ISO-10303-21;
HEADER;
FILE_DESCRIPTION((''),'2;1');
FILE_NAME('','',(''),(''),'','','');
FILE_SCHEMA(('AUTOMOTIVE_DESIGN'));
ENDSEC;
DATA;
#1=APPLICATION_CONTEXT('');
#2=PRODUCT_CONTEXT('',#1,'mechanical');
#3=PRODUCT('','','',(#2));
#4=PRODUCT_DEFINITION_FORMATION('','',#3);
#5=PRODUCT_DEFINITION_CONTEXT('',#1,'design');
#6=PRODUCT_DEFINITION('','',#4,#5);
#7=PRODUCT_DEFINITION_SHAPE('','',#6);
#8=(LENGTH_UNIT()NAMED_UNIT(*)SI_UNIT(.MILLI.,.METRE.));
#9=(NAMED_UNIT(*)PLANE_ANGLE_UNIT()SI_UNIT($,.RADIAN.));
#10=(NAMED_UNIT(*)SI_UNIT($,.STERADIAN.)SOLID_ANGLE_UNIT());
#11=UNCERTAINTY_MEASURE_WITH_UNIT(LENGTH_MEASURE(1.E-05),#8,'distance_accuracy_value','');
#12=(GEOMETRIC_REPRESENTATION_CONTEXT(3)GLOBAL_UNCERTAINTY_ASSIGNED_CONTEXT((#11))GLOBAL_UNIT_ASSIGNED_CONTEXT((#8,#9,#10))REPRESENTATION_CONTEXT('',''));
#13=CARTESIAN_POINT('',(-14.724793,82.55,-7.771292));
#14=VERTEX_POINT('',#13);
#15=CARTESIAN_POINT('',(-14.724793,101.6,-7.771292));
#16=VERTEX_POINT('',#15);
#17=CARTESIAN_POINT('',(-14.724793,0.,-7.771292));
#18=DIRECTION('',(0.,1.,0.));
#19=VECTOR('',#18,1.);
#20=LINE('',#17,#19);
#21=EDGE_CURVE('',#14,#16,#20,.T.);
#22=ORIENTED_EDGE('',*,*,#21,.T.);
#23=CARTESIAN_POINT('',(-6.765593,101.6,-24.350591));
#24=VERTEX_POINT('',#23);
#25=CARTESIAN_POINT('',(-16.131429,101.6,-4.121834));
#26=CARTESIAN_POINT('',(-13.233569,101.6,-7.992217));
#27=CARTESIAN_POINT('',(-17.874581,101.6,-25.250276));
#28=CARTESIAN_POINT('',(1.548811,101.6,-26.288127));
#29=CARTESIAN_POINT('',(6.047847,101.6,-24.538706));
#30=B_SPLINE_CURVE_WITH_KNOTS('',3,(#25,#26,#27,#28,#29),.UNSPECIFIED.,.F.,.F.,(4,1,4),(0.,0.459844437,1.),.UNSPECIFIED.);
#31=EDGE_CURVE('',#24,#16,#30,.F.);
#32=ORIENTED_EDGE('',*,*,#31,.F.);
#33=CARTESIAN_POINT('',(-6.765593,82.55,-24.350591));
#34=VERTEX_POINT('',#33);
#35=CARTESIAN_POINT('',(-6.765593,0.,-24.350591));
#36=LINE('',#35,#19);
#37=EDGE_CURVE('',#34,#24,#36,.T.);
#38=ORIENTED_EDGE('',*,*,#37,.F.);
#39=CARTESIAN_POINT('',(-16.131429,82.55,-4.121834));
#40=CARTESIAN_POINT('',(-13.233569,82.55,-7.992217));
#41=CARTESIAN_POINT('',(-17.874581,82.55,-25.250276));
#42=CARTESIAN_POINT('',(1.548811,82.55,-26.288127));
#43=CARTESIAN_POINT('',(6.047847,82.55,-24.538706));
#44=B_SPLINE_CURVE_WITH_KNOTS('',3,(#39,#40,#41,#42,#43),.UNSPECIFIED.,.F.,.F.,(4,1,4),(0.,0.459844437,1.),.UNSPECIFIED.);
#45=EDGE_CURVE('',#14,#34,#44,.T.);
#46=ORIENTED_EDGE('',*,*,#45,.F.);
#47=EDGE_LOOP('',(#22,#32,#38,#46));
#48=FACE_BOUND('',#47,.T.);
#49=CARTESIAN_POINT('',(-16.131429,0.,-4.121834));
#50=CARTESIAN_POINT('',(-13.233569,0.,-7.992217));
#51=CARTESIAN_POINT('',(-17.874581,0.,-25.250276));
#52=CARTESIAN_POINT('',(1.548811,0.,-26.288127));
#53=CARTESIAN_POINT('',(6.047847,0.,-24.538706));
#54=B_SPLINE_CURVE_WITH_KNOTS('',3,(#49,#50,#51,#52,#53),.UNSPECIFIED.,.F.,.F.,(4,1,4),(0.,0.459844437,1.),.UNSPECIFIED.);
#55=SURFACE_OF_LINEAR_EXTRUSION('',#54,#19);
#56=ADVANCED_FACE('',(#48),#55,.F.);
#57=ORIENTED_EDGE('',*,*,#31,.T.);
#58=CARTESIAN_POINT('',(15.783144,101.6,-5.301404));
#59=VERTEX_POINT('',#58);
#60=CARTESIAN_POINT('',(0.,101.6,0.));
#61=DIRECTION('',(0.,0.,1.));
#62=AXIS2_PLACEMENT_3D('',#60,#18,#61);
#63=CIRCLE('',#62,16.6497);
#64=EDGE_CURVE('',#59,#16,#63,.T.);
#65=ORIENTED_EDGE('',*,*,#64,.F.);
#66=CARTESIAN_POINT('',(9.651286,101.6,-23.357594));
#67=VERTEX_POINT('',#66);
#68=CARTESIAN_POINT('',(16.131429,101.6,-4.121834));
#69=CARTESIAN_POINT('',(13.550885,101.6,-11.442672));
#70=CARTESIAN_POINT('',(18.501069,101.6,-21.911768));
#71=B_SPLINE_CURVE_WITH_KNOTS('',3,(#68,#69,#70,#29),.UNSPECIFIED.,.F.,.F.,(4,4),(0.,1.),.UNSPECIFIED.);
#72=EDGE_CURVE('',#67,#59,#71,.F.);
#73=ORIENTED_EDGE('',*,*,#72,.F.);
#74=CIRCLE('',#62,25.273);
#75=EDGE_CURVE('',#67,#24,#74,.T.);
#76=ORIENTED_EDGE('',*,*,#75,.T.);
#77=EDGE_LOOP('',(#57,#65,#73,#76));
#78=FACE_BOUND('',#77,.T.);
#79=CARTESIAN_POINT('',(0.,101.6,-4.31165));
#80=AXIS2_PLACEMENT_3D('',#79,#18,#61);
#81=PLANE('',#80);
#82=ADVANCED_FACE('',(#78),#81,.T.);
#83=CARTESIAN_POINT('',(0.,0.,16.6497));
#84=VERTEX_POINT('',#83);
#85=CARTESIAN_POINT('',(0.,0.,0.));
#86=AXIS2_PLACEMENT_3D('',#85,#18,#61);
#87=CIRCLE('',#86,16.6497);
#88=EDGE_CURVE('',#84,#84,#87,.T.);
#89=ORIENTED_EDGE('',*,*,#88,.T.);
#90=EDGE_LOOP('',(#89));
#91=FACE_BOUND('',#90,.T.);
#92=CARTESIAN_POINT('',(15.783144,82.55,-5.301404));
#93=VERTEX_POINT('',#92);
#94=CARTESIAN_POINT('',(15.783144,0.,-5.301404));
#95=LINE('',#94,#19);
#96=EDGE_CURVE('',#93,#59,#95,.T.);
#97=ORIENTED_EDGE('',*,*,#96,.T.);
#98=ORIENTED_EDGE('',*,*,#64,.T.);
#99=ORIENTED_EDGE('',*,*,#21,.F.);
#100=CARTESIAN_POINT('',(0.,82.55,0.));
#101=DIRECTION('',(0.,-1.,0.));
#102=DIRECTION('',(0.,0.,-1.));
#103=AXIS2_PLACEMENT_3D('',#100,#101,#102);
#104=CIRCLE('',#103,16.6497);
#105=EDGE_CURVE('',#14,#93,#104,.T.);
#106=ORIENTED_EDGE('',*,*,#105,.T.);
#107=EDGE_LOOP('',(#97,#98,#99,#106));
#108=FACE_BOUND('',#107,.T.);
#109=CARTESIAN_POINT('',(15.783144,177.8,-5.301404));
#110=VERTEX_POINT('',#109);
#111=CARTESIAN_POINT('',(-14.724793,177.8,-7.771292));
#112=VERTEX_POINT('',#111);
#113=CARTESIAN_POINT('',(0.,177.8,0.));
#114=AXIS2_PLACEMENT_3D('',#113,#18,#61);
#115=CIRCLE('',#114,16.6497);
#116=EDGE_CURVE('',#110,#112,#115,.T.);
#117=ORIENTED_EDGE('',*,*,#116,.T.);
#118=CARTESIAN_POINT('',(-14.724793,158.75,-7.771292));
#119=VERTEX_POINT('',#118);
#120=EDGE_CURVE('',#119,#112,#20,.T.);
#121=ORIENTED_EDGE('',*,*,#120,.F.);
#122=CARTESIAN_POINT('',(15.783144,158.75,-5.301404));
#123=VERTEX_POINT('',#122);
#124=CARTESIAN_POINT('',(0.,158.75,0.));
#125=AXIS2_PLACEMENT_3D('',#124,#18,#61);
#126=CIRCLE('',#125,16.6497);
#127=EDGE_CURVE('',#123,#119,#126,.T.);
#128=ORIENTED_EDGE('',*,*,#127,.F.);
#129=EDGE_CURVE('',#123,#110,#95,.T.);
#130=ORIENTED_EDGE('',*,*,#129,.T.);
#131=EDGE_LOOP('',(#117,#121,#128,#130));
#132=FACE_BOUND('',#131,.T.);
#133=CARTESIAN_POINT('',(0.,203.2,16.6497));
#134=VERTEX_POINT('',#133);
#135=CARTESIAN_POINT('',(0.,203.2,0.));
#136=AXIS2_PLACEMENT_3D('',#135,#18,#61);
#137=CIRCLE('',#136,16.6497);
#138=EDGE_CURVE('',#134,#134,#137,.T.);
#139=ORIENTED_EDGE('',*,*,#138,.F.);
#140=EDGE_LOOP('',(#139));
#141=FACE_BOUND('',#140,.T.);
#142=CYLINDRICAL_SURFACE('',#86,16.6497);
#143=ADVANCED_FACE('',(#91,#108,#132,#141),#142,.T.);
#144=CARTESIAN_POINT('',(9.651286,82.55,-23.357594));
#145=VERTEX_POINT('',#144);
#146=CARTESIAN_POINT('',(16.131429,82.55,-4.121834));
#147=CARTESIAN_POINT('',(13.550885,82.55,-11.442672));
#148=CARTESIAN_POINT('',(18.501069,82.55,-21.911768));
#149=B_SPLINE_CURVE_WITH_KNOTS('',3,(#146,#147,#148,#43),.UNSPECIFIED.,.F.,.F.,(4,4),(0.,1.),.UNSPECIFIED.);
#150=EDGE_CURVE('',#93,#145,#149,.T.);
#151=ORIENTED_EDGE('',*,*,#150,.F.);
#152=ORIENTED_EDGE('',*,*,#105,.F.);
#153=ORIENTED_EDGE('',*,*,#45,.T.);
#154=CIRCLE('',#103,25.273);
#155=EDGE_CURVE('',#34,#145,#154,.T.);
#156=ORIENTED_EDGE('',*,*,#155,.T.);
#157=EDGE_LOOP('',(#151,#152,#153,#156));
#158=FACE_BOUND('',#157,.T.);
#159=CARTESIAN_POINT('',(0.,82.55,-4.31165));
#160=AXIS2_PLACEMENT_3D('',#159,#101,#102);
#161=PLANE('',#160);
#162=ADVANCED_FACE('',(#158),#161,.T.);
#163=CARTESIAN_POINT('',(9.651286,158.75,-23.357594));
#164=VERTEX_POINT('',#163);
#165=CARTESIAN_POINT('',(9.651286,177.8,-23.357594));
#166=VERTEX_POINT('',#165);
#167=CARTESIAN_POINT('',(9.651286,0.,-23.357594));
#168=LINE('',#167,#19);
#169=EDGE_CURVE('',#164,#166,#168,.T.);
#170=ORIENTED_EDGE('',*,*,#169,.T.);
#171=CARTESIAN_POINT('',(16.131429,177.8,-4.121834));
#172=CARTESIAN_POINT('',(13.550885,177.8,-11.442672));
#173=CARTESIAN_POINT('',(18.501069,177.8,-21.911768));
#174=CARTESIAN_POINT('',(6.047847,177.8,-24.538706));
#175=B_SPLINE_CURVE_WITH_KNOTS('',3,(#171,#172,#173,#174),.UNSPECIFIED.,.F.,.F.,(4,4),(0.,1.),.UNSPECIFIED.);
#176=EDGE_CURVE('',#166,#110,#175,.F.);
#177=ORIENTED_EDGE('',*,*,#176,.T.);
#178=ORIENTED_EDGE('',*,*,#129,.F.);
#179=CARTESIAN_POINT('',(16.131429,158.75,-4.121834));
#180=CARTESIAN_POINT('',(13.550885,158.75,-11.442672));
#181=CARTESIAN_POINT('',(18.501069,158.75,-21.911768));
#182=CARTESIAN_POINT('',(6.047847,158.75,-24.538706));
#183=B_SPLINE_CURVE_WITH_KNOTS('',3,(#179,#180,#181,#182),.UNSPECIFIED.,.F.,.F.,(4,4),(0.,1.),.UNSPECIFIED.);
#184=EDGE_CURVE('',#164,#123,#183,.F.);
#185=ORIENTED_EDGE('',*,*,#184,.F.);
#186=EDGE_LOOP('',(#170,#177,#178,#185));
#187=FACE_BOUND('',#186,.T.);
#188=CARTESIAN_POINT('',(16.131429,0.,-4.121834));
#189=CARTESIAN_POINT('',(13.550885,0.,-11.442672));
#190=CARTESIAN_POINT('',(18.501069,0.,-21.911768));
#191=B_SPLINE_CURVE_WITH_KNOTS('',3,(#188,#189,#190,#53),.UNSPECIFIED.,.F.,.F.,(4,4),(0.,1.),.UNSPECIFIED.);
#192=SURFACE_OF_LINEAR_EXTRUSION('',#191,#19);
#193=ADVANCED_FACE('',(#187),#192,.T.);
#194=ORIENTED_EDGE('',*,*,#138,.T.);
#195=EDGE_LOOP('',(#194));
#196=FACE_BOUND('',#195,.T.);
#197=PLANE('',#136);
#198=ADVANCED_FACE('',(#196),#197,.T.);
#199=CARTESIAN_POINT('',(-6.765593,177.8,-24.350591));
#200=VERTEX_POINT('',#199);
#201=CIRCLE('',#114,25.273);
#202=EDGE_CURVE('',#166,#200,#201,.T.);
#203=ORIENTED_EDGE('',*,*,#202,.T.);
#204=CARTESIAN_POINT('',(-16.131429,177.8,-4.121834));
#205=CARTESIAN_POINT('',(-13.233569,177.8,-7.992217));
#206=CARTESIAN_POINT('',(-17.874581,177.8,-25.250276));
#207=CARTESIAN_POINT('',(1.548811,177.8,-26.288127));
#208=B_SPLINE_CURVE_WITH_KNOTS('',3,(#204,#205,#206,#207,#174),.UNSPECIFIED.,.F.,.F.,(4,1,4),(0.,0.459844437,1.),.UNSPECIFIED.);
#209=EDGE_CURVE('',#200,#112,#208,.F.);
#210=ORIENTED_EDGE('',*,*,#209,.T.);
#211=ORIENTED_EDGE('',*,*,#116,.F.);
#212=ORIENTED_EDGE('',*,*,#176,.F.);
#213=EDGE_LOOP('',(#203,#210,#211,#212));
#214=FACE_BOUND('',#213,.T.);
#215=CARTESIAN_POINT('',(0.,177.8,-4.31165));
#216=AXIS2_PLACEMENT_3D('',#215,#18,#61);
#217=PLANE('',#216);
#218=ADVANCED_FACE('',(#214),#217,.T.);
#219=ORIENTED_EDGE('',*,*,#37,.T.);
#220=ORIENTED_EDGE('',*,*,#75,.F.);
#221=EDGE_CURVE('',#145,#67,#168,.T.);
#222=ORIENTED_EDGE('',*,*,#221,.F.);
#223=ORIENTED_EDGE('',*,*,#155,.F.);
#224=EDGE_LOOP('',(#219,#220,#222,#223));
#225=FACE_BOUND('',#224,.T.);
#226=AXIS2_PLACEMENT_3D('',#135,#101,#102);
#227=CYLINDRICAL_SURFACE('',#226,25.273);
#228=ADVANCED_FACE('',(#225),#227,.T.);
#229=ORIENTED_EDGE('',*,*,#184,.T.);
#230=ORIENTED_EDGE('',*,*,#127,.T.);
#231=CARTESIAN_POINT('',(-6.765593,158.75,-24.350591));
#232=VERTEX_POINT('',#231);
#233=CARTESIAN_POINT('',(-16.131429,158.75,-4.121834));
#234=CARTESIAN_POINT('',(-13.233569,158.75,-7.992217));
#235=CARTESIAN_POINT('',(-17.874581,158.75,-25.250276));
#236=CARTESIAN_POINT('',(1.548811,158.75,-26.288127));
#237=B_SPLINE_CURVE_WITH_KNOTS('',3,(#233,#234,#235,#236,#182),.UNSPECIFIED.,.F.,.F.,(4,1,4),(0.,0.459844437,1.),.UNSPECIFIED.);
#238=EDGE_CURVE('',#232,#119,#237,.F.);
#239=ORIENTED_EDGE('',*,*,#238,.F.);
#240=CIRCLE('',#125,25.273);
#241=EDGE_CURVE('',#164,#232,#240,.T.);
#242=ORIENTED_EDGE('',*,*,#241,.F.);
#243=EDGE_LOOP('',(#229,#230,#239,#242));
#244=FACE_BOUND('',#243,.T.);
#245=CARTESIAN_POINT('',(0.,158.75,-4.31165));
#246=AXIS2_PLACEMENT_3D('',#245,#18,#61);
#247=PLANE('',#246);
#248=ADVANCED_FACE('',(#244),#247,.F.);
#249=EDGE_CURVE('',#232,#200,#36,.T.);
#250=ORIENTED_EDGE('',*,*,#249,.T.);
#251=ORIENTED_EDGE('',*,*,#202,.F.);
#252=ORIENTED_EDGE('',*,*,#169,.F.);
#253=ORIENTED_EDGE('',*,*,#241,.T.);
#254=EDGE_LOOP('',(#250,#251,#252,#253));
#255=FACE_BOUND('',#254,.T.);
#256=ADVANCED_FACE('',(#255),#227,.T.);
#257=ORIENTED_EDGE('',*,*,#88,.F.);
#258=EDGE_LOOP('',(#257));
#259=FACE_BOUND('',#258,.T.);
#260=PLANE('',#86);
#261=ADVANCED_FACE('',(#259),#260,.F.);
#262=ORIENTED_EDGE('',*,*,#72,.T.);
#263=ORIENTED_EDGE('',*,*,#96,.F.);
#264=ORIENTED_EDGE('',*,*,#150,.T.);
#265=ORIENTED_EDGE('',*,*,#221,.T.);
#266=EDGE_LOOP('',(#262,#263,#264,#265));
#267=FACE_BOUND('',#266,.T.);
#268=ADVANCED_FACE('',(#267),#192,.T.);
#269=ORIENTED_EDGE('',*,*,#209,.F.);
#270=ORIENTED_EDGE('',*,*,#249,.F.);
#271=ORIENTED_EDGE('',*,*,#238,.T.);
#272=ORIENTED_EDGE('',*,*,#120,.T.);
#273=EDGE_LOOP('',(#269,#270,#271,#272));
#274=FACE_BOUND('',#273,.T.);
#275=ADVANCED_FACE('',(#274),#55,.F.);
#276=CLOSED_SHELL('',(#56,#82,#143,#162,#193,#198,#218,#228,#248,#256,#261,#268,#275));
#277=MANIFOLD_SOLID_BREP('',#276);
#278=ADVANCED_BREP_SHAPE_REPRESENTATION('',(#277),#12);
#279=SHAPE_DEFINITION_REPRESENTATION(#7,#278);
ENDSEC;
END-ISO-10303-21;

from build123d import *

# Parameters (mm, degrees)
SKETCH1_R           = 25.273
BOSS_EXTRUDE1_DEPTH = 203.2
CUT_EXTRUDE1_START  = -203.2
CUT_EXTRUDE1_DEPTH  = 203.2
SKETCH3_OUTSIDE_W   = 77.326
SKETCH3_OUTSIDE_H   = 85.949
SKETCH3_OUTSIDE_R   = 16.6497
CUT_EXTRUDE5_DEPTH  = 50.8
SKETCH4_OUTSIDE_W   = 77.326
SKETCH4_OUTSIDE_H   = 85.949
SKETCH4_OUTSIDE_R   = 16.6497
CUT_EXTRUDE6_DEPTH  = 57.15
SKETCH5_OUTSIDE_W   = 77.326
SKETCH5_OUTSIDE_H   = 85.949
SKETCH5_OUTSIDE_R   = 16.6497
CUT_EXTRUDE7_DEPTH  = 82.55


with BuildPart() as part:
    # Sketch1 → Boss-Extrude1 (new body)
    with BuildSketch(Plane(origin=(0, 0, 0), x_dir=(1, 0, 0), z_dir=(0, 1, 0))):
        with Locations(Location((0, 0, 0), (0, 0, 270))):
            Circle(SKETCH1_R)
    extrude(amount=BOSS_EXTRUDE1_DEPTH)

    # Sketch2 → Cut-Extrude1 (cut)
    with BuildSketch(Plane(origin=(0, 203.2, 0), x_dir=(1, 0, 0), z_dir=(0, 1, 0)).offset(CUT_EXTRUDE1_START)):
        with BuildLine():
            ThreePointArc((16.131428812, 4.121833886), (16.519624093, 2.077144651), (16.6497, 0))
            ThreePointArc((16.6497, 0), (-2.077144651, -16.519624093), (-16.131428812, 4.121833886))
            ThreePointArc((-16.131428812, 4.121833886), (-15.535644224, 5.988010406), (-14.724792916, 7.771292277))
            add(Edge.make_bspline(
                [(-14.724792916, 7.771292277), (-13.993112244, 11.833627294), (-14.951269099, 19.976611229), (-9.134694512, 23.553200783), (-6.765592548, 24.350591091)],
                knots=[0.117816193, 0.117816193, 0.117816193, 0.117816193, 0.459844437, 0.648405496, 0.648405496, 0.648405496, 0.648405496], degree=3))
            ThreePointArc((-6.765592548, 24.350591091), (-15.292771308, -20.121025688), (25.273, 0))
            ThreePointArc((25.273, 0), (21.007635157, 14.050046053), (9.651285593, 23.357594384))
            add(Edge.make_bspline(
                [(15.783143796, 5.301403776), (14.234187932, 11.657324188), (17.010518971, 19.800729125), (9.651285593, 23.357594384)],
                knots=[0.052591674, 0.052591674, 0.052591674, 0.052591674, 0.886528555, 0.886528555, 0.886528555, 0.886528555], degree=3))
            ThreePointArc((15.783143796, 5.301403776), (15.968181877, 4.714835907), (16.131428812, 4.121833886))
        make_face()
    extrude(amount=CUT_EXTRUDE1_DEPTH, mode=Mode.SUBTRACT)

    # Sketch3 outside → Cut-Extrude5 (cut)
    with BuildSketch(Plane(origin=(0, 177.8, 0), x_dir=(1, 0, 0), z_dir=(0, 1, 0))):
        with Locations((0, 4.3115)):
            Rectangle(SKETCH3_OUTSIDE_W, SKETCH3_OUTSIDE_H)
        with Locations(Location((0, 0, 0), (0, 0, 270))):
            Circle(SKETCH3_OUTSIDE_R, mode=Mode.SUBTRACT)
    extrude(amount=CUT_EXTRUDE5_DEPTH, mode=Mode.SUBTRACT)

    # Sketch4 outside → Cut-Extrude6 (cut)
    with BuildSketch(Plane(origin=(0, 101.6, 0), x_dir=(1, 0, 0), z_dir=(0, 1, 0))):
        with Locations((0, 4.3115)):
            Rectangle(SKETCH4_OUTSIDE_W, SKETCH4_OUTSIDE_H)
        with Locations(Location((0, 0, 0), (0, 0, 270))):
            Circle(SKETCH4_OUTSIDE_R, mode=Mode.SUBTRACT)
    extrude(amount=CUT_EXTRUDE6_DEPTH, mode=Mode.SUBTRACT)

    # Sketch5 outside → Cut-Extrude7 (cut)
    with BuildSketch(Plane(origin=(0, 0, 0), x_dir=(-1, 0, 0), z_dir=(0, -1, 0))):
        with Locations((0, 4.3115)):
            Rectangle(SKETCH5_OUTSIDE_W, SKETCH5_OUTSIDE_H)
        with Locations(Location((0, 0, 0), (0, 0, 270))):
            Circle(SKETCH5_OUTSIDE_R, mode=Mode.SUBTRACT)
    extrude(amount=-CUT_EXTRUDE7_DEPTH, mode=Mode.SUBTRACT)


solid = part.part
